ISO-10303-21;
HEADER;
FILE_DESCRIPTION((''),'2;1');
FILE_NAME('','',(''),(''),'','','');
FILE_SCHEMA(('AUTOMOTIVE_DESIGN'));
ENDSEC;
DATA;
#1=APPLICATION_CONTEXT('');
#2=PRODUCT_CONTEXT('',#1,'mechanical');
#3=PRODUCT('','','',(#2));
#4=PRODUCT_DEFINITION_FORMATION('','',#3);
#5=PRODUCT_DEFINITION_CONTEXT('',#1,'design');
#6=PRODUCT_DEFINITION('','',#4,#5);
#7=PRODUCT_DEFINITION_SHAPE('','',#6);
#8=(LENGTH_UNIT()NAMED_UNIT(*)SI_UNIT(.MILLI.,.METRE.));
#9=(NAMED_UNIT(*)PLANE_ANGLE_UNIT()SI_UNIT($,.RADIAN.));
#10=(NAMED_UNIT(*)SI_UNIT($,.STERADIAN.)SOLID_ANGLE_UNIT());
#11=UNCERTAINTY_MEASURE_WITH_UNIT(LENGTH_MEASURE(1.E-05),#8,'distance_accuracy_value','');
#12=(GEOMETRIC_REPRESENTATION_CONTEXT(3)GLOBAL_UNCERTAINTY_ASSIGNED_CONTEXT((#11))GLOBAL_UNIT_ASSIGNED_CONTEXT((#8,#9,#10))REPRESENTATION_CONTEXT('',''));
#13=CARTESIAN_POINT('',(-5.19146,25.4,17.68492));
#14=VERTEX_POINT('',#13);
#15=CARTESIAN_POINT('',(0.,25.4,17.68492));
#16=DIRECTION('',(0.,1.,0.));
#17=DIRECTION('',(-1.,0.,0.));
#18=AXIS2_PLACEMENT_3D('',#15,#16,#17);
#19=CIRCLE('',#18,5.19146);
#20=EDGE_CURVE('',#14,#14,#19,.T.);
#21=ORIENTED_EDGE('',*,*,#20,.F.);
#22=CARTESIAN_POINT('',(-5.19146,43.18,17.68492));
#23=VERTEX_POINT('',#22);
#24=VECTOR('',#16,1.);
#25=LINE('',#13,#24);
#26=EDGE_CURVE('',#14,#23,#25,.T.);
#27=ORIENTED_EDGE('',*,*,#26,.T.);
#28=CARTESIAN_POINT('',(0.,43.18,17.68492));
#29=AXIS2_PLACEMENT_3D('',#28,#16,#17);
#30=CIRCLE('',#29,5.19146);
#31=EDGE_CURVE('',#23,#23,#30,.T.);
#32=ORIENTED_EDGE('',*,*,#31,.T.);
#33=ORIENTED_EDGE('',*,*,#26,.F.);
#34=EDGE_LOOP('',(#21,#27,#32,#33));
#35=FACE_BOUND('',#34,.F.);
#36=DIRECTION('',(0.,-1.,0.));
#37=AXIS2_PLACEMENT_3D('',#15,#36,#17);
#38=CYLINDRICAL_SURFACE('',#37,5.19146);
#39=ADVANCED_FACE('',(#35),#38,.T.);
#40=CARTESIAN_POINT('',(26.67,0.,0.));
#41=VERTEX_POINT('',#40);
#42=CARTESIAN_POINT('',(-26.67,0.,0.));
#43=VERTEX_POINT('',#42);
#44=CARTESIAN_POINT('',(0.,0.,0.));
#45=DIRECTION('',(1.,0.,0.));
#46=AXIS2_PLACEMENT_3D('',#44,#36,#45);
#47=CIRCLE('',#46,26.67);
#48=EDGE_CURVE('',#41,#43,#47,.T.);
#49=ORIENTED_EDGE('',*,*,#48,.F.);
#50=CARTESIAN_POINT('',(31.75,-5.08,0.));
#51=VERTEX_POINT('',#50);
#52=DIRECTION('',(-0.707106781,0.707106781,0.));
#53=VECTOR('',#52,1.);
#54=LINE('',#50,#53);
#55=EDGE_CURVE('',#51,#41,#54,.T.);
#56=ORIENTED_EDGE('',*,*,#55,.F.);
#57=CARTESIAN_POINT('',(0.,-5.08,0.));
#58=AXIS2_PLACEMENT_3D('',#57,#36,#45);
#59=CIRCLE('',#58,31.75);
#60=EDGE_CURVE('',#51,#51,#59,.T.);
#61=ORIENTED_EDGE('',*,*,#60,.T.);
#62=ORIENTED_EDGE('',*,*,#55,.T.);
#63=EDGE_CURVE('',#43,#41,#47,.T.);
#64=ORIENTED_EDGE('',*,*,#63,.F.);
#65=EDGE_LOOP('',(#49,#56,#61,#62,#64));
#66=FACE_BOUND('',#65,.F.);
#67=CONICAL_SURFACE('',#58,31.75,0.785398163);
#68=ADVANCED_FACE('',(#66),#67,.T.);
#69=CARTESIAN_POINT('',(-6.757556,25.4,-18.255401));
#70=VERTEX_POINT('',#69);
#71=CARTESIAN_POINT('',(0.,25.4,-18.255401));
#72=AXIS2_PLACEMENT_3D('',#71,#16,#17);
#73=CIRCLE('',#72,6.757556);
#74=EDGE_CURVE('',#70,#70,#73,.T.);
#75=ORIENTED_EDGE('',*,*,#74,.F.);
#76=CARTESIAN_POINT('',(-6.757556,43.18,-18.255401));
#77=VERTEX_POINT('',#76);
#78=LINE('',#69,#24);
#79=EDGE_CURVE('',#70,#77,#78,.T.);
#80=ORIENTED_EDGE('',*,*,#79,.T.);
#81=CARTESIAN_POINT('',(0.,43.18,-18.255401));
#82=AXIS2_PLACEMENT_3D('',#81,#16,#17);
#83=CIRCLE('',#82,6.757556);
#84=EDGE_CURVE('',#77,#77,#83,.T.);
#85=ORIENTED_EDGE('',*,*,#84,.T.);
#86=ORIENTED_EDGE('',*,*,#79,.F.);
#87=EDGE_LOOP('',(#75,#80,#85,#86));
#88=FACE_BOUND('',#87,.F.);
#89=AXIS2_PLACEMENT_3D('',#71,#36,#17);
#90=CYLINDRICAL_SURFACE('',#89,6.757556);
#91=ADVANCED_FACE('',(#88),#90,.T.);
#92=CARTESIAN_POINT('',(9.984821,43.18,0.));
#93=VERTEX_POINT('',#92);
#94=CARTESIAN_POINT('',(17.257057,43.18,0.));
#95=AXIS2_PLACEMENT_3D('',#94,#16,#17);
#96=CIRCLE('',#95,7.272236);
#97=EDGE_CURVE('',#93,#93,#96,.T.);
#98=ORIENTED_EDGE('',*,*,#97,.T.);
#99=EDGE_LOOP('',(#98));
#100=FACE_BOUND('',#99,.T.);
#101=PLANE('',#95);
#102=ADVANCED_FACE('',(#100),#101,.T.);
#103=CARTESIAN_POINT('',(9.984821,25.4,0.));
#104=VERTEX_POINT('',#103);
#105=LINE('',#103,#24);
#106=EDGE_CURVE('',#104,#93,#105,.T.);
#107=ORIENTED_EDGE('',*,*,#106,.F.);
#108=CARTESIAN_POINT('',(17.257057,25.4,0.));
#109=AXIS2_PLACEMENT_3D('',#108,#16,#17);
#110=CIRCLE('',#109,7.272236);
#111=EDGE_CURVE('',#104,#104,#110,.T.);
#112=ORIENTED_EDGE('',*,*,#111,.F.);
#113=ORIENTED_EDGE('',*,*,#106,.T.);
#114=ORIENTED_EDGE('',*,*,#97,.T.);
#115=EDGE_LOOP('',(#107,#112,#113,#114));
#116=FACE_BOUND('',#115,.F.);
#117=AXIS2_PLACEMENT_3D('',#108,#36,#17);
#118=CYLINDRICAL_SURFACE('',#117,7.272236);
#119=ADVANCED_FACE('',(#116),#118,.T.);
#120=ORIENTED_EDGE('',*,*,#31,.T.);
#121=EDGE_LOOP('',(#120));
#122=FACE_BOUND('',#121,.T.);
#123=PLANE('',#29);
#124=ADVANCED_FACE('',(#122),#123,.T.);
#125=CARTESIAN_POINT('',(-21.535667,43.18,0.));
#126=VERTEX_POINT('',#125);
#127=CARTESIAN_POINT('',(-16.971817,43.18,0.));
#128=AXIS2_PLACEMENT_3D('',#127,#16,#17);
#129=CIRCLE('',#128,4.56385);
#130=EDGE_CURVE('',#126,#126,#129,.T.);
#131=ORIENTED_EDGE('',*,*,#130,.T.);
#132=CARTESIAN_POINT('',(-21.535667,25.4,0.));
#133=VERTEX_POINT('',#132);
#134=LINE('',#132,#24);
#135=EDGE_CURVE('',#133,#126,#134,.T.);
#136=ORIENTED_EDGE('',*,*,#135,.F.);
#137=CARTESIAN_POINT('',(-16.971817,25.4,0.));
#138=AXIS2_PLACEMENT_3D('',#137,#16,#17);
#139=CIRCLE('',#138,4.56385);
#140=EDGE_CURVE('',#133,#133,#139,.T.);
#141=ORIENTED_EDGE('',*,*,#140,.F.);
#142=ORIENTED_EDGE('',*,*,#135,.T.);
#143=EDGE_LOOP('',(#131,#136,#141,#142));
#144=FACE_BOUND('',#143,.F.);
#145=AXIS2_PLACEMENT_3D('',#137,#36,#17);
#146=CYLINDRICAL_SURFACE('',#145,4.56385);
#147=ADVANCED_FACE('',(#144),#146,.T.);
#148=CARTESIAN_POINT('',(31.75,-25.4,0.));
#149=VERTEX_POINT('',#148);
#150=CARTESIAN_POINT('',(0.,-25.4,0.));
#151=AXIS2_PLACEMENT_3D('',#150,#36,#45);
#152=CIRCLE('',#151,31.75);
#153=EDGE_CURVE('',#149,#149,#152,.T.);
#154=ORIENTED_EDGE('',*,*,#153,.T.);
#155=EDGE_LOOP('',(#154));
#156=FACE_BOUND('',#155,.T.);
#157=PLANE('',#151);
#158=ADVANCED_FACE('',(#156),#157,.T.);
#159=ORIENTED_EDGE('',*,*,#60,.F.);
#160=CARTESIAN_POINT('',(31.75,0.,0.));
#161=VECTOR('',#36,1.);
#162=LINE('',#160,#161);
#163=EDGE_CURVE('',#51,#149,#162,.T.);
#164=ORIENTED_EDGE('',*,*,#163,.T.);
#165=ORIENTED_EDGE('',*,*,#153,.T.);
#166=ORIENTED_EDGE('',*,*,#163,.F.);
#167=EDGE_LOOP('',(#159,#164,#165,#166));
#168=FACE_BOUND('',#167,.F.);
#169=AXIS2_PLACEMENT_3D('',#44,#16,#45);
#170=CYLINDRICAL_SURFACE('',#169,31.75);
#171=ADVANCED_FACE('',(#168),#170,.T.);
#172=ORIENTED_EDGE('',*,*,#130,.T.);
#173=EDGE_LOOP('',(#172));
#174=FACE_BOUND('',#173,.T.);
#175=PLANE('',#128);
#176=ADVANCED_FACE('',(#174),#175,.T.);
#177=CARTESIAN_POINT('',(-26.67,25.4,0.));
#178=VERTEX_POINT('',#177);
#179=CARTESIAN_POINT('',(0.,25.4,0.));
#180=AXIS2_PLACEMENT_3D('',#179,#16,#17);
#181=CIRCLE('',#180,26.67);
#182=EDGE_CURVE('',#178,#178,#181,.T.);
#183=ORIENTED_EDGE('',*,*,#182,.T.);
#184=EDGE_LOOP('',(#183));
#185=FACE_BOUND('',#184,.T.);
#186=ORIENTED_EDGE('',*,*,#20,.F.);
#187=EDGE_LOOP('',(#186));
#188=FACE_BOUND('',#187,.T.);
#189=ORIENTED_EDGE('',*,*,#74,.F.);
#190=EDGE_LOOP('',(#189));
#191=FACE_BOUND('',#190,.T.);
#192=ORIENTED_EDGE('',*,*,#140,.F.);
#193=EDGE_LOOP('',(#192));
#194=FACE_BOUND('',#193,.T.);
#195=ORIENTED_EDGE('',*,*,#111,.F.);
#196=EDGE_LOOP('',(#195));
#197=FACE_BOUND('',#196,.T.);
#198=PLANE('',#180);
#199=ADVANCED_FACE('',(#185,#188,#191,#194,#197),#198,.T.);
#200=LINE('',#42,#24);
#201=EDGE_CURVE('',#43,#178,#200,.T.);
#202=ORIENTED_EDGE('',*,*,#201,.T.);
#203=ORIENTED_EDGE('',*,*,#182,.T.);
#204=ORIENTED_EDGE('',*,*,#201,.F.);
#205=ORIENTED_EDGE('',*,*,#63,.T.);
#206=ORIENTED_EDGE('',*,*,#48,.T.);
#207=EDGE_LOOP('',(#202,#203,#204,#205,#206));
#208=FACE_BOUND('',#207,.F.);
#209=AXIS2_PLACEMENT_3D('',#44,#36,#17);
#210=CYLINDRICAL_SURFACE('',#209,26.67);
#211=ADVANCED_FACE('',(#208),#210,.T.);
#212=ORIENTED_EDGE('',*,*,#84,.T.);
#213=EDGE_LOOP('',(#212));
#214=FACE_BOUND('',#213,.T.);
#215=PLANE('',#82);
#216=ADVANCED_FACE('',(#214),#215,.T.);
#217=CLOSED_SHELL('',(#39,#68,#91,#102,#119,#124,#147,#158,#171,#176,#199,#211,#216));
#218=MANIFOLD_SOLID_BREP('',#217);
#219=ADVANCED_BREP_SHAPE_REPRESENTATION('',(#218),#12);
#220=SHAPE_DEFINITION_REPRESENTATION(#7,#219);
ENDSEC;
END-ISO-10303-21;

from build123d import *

# Parameters (mm, degrees)
F0_R     = 31.75
F1_DEPTH = 25.4
F3_SIZE  = 5.08
F4_R     = 26.67
F5_DEPTH = 25.4
F6_R     = 5.19146
F6_R_2   = 7.272236
F6_R_3   = 6.757556
F6_R_4   = 4.56385
F7_DEPTH = 17.78


with BuildPart() as f1:
    # F0 (on Front) → F1 (new body)
    with BuildSketch(Plane.XZ):
        Circle(F0_R)
    extrude(amount=F1_DEPTH)

    # F3
    f3_edges = [f1.edges().sort_by_distance(p)[0] for p in [
        (-31.75, 0, 0),
    ]]
    chamfer(f3_edges, length=F3_SIZE)

    # F4 (on face) → F5 (join)
    with BuildSketch(Plane(origin=(0, 0, 0), x_dir=(-1, 0, 0), z_dir=(0, 1, 0))):
        Circle(F4_R)
    extrude(amount=F5_DEPTH)

    # F6 (on face) → F7 (join)
    with BuildSketch(Plane(origin=(0, 25.4, 0), x_dir=(-1, 0, 0), z_dir=(0, 1, 0))):
        with Locations((0, 17.68492)):
            Circle(F6_R)
        with Locations((-17.257057, 0)):
            Circle(F6_R_2)
        with Locations((0, -18.255401)):
            Circle(F6_R_3)
        with Locations((16.971817, 0)):
            Circle(F6_R_4)
    extrude(amount=F7_DEPTH)


solid = f1.part
